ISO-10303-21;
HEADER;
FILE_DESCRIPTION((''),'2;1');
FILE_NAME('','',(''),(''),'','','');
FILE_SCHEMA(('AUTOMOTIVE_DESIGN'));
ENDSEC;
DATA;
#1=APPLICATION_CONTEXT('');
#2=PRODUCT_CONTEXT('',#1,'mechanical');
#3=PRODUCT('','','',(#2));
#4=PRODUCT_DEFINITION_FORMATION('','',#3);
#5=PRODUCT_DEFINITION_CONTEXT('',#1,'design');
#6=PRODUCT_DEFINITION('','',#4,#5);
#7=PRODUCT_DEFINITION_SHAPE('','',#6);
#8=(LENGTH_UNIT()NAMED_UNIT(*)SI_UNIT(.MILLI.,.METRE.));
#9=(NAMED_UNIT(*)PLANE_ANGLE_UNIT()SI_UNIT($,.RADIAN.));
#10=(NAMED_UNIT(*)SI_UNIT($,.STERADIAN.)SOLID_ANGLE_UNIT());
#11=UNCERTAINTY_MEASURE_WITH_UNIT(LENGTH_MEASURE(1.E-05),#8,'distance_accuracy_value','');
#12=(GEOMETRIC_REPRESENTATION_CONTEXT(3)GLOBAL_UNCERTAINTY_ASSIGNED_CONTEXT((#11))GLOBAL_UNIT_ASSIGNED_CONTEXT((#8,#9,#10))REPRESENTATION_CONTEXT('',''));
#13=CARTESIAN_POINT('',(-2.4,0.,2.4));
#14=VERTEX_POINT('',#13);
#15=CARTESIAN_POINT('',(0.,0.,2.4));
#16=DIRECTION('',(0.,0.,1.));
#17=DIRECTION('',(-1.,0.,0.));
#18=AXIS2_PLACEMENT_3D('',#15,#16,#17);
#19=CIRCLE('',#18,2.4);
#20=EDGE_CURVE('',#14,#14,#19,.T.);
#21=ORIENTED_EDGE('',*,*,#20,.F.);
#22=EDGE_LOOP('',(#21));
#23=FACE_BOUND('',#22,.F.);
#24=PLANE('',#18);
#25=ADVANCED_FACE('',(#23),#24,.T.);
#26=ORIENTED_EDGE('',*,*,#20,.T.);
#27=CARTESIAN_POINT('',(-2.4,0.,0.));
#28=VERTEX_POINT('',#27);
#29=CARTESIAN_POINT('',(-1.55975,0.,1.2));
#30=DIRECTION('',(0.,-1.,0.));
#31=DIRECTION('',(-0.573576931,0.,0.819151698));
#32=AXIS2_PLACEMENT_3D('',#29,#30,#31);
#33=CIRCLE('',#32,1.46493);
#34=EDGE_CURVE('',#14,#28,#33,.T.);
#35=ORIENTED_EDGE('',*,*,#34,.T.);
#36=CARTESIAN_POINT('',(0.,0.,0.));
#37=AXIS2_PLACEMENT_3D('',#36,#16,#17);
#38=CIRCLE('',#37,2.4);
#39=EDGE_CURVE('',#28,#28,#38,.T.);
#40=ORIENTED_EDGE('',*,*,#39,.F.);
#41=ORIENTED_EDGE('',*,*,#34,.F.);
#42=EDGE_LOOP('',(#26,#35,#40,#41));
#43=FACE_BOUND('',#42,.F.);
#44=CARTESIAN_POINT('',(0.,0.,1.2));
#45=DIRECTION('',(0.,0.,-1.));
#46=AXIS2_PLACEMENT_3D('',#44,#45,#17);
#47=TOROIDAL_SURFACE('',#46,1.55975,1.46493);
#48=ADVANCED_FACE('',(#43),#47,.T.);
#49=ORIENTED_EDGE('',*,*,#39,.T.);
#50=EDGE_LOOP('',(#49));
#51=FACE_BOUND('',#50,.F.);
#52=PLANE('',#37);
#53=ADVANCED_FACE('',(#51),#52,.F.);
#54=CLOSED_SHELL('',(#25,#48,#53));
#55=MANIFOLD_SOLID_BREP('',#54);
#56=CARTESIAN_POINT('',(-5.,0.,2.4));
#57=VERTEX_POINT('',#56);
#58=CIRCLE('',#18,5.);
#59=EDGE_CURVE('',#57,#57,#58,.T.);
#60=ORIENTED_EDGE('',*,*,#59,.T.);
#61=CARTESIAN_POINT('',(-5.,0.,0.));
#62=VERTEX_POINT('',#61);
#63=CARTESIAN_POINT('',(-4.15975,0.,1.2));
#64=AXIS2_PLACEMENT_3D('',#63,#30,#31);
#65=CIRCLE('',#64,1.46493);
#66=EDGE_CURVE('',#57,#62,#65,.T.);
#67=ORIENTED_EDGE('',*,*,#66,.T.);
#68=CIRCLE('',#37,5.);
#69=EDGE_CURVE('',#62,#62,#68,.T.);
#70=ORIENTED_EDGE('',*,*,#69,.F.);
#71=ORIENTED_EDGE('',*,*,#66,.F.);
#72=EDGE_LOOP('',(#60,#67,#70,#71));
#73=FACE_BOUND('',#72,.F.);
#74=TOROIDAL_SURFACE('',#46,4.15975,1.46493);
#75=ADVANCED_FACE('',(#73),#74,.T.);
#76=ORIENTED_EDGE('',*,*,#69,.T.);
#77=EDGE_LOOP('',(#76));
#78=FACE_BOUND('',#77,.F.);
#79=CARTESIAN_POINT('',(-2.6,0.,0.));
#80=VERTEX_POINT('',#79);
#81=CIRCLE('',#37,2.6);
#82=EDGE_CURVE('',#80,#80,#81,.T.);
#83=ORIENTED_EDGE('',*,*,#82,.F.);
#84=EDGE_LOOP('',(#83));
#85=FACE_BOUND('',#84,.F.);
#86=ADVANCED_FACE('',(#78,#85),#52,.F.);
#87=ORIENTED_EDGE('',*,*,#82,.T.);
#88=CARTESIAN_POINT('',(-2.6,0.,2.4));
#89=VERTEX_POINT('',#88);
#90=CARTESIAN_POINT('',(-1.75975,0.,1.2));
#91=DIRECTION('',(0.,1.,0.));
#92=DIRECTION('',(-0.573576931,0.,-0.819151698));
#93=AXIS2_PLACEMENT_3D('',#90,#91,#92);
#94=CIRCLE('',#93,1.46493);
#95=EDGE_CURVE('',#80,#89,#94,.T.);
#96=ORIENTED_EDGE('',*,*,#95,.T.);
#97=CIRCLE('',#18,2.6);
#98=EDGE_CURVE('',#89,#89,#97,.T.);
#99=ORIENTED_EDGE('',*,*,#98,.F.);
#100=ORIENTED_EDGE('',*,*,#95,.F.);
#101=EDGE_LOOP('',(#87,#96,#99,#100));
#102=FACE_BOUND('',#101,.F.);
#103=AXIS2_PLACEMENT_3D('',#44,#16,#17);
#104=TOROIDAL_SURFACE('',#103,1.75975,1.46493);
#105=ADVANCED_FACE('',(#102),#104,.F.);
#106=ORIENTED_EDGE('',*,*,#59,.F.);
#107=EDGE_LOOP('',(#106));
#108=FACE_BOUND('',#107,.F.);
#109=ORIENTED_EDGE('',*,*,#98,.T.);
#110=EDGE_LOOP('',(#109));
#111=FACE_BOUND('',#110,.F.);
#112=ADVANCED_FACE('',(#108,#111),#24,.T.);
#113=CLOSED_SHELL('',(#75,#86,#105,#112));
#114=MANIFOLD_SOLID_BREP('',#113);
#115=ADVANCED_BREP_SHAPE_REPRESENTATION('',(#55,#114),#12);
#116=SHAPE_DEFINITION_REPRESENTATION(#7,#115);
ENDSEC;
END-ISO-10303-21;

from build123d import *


with BuildPart() as f1:
    # F0 (on Front) → F1 (revolve)
    with BuildSketch(Plane.XZ):
        with BuildLine():
            Line((0, 2.4), (-2.4, 2.4))
            ThreePointArc((-2.4, 2.4), (-3.02468, 1.2), (-2.4, 0))
            Line((-2.4, 0), (0, 0))
            Line((0, 0), (0, 2.4))
        make_face()
        with BuildLine():
            Line((-5, 0), (-2.6, 0))
            ThreePointArc((-2.6, 0), (-3.22468, 1.2), (-2.6, 2.4))
            Line((-2.6, 2.4), (-5, 2.4))
            ThreePointArc((-5, 2.4), (-5.62468, 1.2), (-5, 0))
        make_face()
    revolve(axis=Axis((0, 0, 1.2), (0, 0, 1)))


solid = f1.part
